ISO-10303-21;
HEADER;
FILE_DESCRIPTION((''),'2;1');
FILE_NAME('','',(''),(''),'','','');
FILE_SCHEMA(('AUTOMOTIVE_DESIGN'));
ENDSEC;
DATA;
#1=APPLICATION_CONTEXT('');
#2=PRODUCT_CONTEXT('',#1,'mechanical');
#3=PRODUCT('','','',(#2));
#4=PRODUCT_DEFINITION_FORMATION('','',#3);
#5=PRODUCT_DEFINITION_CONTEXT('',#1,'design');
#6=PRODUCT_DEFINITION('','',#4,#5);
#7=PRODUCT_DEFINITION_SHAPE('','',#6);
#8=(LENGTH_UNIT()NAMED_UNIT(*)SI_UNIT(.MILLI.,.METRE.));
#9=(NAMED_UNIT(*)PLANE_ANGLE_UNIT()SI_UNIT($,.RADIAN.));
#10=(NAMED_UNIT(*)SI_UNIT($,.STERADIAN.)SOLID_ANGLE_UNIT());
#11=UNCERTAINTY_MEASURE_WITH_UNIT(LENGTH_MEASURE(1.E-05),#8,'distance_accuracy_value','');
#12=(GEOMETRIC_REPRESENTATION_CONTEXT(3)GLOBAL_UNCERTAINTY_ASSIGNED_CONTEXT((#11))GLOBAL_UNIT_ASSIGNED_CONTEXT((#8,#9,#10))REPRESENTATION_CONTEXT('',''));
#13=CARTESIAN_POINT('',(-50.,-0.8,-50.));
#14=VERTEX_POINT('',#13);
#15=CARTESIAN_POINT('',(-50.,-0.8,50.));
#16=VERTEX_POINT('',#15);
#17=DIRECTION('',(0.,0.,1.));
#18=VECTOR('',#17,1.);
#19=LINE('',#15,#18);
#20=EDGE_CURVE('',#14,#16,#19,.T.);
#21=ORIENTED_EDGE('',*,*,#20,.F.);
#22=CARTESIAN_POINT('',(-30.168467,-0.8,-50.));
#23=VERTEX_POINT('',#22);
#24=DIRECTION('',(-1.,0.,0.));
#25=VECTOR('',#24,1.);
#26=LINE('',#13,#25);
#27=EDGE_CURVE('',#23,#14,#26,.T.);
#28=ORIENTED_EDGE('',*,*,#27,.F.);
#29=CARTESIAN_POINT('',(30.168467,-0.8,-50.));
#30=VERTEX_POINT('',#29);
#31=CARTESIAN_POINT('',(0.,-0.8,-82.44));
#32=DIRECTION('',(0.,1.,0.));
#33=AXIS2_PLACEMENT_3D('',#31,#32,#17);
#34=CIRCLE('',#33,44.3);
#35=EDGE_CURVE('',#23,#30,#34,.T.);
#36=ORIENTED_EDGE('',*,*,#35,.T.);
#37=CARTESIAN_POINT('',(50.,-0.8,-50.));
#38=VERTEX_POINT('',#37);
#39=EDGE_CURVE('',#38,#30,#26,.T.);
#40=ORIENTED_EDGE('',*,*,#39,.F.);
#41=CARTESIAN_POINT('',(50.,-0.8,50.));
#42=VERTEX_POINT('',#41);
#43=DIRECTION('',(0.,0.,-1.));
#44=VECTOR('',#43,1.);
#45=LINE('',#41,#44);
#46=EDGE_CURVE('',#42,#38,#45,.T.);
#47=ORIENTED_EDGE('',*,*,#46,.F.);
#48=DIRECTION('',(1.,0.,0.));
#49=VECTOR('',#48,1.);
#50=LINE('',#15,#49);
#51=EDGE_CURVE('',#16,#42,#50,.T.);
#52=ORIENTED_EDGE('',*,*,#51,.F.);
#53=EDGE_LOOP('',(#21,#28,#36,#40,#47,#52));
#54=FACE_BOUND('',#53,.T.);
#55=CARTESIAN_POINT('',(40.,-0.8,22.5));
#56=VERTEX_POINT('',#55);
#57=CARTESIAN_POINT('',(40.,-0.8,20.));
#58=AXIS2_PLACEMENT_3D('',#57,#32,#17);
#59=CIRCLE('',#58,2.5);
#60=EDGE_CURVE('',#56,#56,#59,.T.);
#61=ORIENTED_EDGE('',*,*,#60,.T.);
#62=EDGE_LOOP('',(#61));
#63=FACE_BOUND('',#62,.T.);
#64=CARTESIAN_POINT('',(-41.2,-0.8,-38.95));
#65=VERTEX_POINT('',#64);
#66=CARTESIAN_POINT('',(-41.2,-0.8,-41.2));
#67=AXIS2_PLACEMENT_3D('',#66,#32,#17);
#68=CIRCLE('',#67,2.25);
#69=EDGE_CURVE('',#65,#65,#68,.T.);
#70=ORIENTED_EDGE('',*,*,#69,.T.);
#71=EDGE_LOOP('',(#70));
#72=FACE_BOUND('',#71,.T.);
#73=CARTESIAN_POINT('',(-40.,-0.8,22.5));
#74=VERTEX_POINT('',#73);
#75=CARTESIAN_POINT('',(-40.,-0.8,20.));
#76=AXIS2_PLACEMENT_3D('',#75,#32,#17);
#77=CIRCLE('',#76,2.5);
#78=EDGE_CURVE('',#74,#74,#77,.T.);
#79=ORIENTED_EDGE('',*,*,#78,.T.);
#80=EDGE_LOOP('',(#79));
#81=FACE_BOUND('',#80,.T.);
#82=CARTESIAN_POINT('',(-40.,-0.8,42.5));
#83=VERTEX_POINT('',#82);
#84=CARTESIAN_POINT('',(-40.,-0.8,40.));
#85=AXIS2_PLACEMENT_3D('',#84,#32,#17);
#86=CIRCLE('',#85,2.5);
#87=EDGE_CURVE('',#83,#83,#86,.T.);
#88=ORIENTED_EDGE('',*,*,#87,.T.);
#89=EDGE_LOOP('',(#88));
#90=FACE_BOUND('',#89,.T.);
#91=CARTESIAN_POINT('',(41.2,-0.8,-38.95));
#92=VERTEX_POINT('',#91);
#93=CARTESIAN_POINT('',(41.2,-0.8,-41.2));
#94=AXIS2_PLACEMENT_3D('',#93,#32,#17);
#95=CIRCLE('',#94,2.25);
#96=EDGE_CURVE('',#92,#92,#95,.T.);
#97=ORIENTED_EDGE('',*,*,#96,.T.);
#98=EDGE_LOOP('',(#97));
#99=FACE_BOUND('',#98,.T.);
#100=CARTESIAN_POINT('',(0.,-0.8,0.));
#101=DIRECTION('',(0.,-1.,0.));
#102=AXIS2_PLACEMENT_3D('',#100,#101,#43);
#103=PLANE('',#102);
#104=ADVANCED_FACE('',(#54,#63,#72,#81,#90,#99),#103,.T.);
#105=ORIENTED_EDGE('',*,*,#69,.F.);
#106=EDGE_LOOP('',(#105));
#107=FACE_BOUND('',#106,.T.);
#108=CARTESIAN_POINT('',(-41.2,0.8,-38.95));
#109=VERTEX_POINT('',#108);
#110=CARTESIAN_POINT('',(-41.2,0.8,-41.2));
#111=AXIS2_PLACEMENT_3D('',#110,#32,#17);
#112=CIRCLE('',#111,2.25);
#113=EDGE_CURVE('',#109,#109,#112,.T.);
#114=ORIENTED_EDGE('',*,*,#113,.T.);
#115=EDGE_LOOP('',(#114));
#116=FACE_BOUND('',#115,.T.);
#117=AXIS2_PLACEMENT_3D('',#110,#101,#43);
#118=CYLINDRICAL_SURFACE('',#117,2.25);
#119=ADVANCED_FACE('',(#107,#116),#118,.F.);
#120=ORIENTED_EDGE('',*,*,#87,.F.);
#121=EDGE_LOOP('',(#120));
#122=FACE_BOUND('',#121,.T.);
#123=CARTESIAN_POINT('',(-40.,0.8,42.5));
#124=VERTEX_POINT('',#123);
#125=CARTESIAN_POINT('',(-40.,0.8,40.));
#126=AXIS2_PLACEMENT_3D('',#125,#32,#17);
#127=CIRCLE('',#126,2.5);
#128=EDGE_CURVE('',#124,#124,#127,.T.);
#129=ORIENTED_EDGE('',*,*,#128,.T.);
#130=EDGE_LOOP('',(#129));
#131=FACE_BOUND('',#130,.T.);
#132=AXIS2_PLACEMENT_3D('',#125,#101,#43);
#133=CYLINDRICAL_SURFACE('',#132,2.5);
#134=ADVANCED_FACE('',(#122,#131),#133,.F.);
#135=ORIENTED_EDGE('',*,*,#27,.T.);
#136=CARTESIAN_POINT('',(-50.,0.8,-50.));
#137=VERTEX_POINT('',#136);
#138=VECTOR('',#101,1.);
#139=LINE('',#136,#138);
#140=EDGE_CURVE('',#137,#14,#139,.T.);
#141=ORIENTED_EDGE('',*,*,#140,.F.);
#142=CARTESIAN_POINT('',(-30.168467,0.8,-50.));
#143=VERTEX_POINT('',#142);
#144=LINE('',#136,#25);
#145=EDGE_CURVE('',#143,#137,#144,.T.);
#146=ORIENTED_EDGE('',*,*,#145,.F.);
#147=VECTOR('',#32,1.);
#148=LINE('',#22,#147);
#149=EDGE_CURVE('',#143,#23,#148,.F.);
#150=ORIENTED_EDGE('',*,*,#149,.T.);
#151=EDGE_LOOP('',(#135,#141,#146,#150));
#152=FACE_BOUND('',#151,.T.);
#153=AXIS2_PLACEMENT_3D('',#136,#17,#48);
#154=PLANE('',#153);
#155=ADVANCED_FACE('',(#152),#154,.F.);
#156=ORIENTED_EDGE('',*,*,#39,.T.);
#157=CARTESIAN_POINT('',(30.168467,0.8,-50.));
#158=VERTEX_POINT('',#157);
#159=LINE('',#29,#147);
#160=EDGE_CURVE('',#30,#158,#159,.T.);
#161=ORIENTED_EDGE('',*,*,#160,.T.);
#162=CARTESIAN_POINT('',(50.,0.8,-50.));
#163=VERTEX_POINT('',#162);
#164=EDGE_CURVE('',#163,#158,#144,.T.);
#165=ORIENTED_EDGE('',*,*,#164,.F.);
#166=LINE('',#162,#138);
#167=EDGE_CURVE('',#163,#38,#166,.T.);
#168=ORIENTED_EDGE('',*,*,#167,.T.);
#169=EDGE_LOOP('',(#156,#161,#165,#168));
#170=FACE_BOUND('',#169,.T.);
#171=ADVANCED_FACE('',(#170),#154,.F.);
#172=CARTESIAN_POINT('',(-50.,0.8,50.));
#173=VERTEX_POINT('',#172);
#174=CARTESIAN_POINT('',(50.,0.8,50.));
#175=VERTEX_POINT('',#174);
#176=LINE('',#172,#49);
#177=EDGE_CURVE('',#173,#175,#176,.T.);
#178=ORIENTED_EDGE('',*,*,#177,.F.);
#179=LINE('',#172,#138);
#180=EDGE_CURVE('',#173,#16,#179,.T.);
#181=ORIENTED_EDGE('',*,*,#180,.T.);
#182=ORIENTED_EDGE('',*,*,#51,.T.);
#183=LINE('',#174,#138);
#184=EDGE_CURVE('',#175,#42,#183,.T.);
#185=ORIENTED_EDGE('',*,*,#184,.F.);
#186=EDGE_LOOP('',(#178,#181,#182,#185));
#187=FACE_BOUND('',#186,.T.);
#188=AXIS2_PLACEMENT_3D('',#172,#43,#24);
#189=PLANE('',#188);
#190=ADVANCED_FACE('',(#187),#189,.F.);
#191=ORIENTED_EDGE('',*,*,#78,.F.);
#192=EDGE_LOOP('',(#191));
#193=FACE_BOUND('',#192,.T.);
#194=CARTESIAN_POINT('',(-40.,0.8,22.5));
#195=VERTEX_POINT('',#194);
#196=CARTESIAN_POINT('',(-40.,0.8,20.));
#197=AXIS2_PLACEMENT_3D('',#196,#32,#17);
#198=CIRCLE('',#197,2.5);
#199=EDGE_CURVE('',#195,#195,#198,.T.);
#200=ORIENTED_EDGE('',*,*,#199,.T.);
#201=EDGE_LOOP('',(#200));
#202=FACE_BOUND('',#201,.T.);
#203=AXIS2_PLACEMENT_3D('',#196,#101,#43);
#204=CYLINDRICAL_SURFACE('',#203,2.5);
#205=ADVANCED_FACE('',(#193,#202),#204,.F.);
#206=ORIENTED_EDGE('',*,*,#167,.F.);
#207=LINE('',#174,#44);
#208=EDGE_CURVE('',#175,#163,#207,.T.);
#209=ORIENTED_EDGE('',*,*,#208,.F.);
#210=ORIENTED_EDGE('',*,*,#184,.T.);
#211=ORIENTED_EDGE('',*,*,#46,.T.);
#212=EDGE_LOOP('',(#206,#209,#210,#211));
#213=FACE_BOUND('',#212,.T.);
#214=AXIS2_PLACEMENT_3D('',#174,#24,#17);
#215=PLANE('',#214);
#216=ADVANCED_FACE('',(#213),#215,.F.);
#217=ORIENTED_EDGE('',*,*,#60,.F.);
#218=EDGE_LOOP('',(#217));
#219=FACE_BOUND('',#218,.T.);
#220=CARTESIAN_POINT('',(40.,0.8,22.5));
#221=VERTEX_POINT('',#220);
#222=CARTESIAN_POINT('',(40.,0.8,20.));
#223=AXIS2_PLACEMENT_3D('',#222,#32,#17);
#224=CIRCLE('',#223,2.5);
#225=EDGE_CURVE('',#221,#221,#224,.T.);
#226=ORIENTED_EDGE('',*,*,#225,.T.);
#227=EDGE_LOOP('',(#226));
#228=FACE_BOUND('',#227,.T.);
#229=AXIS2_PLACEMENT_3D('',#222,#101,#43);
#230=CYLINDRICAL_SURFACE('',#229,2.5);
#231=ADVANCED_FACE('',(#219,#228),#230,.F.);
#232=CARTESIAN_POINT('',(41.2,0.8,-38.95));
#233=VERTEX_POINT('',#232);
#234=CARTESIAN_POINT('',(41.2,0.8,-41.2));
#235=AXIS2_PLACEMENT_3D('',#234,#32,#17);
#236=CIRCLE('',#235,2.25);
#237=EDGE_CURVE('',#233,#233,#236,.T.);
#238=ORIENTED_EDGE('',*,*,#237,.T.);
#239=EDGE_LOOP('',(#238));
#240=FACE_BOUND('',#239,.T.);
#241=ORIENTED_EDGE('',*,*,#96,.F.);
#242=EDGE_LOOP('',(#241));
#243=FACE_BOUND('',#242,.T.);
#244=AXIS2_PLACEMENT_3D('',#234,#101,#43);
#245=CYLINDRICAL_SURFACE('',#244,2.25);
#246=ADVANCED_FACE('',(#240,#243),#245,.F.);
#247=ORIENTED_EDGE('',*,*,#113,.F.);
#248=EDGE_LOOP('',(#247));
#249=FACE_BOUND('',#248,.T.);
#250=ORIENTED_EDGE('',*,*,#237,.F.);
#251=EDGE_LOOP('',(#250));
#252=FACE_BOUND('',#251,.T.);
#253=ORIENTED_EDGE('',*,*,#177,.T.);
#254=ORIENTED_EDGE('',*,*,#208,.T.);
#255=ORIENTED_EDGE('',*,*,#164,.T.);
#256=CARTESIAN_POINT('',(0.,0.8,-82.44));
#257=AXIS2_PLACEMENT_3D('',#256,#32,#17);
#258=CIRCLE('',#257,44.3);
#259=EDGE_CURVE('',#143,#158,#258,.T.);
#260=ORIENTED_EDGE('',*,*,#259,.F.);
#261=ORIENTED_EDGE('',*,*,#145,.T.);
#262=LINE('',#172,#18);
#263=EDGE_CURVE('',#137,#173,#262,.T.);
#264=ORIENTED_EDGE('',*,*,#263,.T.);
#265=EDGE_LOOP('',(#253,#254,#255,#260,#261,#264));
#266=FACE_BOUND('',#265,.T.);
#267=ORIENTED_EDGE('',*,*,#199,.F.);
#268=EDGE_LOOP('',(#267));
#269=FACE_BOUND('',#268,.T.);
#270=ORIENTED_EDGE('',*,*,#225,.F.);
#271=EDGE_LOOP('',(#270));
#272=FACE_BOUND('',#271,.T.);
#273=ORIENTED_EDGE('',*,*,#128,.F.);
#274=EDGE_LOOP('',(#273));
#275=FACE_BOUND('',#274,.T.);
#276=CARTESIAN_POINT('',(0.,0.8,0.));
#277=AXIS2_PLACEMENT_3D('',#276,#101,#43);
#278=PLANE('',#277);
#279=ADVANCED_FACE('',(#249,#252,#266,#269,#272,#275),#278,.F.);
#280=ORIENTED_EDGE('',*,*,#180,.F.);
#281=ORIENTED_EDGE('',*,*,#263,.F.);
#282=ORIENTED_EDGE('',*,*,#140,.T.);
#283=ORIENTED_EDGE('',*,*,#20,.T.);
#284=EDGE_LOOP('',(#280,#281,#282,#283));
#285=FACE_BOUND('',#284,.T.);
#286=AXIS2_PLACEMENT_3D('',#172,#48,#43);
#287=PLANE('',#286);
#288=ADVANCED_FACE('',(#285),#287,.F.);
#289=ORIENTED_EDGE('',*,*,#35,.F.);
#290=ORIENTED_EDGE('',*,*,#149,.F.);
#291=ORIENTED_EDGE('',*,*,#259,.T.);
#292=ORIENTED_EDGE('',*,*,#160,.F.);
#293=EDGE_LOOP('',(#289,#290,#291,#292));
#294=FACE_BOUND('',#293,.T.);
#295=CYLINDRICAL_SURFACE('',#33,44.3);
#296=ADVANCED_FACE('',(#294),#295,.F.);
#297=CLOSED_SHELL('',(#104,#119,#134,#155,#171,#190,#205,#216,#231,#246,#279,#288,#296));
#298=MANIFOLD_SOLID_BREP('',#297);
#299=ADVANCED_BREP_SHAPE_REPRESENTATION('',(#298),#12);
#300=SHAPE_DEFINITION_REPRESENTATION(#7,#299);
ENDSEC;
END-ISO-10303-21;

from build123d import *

# Parameters (mm, degrees)
SKETCH1_W           = 100
SKETCH1_H           = 100
SKETCH1_R           = 2.5
SKETCH1_R_2         = 2.25
BOSS_EXTRUDE1_DEPTH = 0.8
SKETCH2_R           = 44.3
CUT_EXTRUDE1_DEPTH  = 71.728777736


with BuildPart() as part:
    # Sketch1 → Boss-Extrude1 (new, symmetric)
    with BuildSketch(Plane(origin=(0, 0, 0), x_dir=(1, 0, 0), z_dir=(0, 1, 0))):
        Rectangle(SKETCH1_W, SKETCH1_H)
        with Locations((-40, -40)):
            Circle(SKETCH1_R, mode=Mode.SUBTRACT)
        with Locations((-40, -20)):
            Circle(SKETCH1_R, mode=Mode.SUBTRACT)
        with Locations((40, -20)):
            Circle(SKETCH1_R, mode=Mode.SUBTRACT)
        with Locations((-41.2, 41.2)):
            Circle(SKETCH1_R_2, mode=Mode.SUBTRACT)
        with Locations((41.2, 41.2)):
            Circle(SKETCH1_R_2, mode=Mode.SUBTRACT)
    extrude(amount=BOSS_EXTRUDE1_DEPTH, both=True)

    # Sketch2 → Cut-Extrude1 (cut, through all)
    with BuildSketch(Plane(origin=(0, 0.8, 0), x_dir=(1, 0, 0), z_dir=(0, 1, 0))):
        with Locations((0, 82.44)):
            Circle(SKETCH2_R)
    extrude(amount=-CUT_EXTRUDE1_DEPTH, mode=Mode.SUBTRACT)


solid = part.part
